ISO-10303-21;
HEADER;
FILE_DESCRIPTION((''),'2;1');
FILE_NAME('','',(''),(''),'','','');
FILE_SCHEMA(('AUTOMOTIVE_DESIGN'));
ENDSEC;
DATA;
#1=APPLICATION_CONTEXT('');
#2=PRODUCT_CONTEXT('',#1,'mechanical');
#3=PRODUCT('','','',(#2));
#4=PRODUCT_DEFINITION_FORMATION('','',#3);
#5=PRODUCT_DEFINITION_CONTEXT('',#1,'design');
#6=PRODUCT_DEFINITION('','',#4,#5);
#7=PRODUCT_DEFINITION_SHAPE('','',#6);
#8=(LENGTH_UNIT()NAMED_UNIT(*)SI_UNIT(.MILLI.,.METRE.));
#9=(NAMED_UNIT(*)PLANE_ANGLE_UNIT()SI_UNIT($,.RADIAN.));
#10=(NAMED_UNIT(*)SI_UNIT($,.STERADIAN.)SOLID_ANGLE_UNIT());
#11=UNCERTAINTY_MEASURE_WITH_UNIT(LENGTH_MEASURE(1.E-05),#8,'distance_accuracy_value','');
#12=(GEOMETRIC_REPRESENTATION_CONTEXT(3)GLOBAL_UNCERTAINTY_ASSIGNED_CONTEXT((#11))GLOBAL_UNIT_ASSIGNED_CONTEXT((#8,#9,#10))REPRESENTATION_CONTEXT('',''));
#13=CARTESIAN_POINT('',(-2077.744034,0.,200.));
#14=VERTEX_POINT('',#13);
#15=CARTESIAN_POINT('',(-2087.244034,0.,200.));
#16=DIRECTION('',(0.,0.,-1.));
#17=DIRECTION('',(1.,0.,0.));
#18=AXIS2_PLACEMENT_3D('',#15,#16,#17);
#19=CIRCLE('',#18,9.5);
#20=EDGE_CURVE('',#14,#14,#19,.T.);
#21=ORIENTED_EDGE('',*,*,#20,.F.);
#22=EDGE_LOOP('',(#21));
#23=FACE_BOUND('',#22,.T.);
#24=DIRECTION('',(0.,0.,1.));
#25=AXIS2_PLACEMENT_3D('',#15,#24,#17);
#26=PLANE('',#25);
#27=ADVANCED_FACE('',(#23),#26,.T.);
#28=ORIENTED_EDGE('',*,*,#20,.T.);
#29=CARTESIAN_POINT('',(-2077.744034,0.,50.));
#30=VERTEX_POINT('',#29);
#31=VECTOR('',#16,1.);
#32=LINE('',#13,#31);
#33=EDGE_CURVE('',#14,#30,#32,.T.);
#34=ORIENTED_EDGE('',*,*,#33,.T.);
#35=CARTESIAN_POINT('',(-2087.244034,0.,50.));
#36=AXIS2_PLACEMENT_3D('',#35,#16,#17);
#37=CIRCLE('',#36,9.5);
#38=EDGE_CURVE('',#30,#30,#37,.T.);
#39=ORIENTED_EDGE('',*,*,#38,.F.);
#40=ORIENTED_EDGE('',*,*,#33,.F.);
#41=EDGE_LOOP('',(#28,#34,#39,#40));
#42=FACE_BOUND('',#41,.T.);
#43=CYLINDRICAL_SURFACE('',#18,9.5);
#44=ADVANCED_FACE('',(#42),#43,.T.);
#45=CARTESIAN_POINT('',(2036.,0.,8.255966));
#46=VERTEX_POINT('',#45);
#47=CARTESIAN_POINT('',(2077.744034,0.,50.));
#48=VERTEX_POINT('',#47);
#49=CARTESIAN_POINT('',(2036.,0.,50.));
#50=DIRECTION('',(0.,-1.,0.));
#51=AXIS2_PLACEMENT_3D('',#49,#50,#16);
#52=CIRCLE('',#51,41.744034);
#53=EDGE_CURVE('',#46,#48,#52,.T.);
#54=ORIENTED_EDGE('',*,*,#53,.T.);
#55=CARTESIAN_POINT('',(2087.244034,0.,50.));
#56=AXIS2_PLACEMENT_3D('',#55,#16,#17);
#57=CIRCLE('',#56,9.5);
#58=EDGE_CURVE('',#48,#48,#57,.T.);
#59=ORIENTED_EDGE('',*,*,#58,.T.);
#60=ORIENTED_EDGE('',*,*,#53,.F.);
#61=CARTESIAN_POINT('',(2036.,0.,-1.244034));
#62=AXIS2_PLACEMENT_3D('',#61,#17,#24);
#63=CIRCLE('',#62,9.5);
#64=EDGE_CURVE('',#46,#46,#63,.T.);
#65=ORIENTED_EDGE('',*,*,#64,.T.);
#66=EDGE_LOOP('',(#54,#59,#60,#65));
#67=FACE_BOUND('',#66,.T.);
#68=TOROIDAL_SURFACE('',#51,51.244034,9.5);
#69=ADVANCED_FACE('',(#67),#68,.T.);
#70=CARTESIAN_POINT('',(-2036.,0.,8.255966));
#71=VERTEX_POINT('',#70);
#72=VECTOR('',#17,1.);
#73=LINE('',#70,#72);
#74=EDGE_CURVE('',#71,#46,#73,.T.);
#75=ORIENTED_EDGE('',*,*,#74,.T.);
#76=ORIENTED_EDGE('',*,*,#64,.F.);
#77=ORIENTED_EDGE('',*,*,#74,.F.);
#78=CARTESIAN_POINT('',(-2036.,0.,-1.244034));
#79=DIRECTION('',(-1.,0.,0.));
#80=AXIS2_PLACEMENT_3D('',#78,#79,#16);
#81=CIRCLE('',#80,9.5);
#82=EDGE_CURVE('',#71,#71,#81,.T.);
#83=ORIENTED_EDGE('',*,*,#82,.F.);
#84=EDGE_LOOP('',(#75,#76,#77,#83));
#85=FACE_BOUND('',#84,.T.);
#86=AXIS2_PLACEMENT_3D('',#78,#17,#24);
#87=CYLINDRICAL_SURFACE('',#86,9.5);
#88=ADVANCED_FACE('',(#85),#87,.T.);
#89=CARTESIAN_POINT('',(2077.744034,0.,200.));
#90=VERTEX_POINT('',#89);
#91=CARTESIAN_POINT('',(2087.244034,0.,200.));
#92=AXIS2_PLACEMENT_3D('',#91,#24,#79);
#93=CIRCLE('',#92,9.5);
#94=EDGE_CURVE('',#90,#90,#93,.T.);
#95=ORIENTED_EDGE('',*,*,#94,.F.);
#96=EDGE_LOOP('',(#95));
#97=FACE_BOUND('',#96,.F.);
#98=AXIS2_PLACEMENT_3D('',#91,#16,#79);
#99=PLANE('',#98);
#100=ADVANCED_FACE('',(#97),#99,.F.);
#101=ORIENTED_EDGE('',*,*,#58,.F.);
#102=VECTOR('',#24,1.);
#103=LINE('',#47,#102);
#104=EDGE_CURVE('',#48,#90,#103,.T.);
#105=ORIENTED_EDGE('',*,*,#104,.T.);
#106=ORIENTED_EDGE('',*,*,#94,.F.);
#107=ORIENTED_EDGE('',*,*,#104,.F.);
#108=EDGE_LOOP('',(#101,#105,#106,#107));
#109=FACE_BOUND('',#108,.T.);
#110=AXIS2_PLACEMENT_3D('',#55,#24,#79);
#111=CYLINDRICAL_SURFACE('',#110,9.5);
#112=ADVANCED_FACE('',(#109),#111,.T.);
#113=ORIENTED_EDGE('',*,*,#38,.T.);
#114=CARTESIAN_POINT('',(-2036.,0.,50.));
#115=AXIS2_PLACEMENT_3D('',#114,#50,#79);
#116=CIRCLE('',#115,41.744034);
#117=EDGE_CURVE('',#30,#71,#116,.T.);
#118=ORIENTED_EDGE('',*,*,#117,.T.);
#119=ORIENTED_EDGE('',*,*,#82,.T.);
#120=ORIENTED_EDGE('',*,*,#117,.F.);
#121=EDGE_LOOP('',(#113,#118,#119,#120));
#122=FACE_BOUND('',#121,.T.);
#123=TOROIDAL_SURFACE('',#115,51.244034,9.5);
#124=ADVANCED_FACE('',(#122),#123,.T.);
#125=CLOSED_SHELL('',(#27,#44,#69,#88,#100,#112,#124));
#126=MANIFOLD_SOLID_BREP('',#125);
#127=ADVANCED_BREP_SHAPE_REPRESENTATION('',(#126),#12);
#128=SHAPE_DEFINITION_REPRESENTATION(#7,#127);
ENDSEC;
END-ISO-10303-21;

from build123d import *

# Parameters (mm, degrees)
F2_R = 9.5


with BuildPart() as f3:
    # F3: sweep along a path in F0
    with BuildLine(Plane.XZ) as f3_path:
        Line((-2086, 200), (-2086, 50))
        ThreePointArc((-2086, 50), (-2071.3553390593, 14.6446609407), (-2036, 0))
        Line((-2036, 0), (2036, 0))
        ThreePointArc((2036, 0), (2071.3553390593, 14.6446609407), (2086, 50))
        Line((2086, 50), (2086, 200))
    # F2 (on plane+point) → F3 (sweep)
    with BuildSketch(Plane.XY.offset(200)):
        with Locations((-2087.2440338135, 0)):
            Circle(F2_R)
    sweep(path=f3_path.line)


solid = f3.part
